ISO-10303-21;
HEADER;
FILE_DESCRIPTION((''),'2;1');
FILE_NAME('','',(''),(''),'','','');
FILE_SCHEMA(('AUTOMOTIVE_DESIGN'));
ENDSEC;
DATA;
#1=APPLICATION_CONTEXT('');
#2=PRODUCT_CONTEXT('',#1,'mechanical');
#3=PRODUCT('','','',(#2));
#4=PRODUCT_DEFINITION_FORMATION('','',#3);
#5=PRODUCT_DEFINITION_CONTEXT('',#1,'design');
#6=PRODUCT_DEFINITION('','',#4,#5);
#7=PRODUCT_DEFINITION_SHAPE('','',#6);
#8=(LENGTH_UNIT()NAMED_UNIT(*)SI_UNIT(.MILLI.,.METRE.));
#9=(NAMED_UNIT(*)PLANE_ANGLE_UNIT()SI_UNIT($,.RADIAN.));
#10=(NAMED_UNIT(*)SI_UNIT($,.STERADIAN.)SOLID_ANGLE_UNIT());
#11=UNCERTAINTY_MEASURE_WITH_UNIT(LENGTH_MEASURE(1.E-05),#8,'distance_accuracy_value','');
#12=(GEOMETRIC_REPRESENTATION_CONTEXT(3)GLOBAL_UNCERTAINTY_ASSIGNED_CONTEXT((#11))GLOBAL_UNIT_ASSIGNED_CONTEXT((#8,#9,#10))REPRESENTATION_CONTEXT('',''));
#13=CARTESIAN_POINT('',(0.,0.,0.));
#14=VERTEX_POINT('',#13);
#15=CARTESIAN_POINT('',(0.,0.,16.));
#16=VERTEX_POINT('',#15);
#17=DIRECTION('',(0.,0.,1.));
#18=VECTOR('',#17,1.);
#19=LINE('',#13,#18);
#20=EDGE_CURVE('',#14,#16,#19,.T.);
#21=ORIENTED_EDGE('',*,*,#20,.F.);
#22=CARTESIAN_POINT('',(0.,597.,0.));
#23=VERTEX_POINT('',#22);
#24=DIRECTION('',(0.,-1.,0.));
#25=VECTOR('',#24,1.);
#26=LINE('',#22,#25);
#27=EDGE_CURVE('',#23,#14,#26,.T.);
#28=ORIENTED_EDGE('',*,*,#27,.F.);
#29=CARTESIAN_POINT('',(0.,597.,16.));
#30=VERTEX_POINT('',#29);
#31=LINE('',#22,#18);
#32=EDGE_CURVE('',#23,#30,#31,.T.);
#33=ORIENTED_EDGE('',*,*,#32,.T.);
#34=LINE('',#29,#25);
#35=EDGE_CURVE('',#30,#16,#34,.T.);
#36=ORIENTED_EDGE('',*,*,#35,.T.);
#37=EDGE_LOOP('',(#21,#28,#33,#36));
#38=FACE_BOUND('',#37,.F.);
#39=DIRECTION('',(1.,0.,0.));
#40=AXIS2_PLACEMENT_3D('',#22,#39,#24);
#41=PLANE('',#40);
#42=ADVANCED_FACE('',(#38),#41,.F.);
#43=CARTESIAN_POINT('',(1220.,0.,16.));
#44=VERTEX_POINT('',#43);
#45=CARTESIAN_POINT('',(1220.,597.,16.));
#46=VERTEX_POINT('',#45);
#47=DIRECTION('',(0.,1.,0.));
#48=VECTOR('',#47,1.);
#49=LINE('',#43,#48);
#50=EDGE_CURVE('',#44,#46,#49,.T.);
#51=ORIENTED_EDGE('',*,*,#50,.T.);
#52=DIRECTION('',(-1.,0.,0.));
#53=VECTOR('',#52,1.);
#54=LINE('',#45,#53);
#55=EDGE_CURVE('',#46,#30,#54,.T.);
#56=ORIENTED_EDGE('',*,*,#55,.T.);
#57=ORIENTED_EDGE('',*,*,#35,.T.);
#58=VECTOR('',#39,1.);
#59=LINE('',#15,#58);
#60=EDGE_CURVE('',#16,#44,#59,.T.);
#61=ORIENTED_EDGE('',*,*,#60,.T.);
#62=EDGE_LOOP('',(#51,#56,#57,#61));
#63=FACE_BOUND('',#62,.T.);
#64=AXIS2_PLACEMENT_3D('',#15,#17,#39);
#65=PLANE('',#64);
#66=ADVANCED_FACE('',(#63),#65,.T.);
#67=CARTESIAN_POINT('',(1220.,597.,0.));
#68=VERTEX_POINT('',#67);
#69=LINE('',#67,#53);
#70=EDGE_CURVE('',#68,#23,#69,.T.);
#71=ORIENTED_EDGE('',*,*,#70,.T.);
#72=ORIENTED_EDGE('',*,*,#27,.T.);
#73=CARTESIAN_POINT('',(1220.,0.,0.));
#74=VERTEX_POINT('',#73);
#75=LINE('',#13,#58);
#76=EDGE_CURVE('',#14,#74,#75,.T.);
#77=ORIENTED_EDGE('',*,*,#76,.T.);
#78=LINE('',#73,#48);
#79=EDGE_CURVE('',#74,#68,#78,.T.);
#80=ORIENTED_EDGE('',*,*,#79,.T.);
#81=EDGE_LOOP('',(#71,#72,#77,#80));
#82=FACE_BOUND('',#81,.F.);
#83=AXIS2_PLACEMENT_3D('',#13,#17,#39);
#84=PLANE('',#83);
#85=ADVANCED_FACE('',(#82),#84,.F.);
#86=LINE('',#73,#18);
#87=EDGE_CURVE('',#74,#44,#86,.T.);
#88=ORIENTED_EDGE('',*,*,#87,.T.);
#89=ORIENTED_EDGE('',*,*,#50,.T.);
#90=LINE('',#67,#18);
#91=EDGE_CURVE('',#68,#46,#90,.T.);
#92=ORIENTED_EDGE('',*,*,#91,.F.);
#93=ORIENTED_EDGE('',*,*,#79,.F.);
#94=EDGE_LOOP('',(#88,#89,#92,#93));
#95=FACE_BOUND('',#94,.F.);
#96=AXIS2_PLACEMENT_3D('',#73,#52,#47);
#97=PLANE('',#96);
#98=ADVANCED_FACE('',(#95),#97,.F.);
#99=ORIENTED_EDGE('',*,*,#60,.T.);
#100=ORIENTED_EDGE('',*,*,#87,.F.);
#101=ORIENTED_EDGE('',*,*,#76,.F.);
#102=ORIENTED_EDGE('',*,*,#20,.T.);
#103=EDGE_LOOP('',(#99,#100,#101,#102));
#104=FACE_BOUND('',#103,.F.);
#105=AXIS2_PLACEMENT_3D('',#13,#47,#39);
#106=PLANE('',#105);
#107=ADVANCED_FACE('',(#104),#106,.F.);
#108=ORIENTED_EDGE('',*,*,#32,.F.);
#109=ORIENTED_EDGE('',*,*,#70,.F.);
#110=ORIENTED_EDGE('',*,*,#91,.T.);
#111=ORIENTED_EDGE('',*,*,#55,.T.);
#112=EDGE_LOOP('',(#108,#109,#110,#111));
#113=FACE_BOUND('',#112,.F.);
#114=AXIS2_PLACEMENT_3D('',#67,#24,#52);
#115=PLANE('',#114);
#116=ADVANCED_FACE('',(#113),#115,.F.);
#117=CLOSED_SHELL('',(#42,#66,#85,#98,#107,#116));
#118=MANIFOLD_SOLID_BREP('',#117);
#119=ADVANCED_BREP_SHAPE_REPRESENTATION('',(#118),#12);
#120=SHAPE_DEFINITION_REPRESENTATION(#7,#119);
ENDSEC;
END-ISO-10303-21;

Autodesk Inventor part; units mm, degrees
ref_plane "YZ Plane" through (0, 0, 0) normal (1, 0, 0) x (0, 1, 0)
ref_plane "XZ Plane" through (0, 0, 0) normal (0, 1, 0) x (-1, 0, 0)
ref_plane "XY Plane" through (0, 0, 0) normal (0, 0, 1) x (1, 0, 0)
sketch "Sketch1" plane through (0, 0, 0) normal (0, 0, 1) x (1, 0, 0)
  line L0 (0, 0) -> (1220, 0)
  line L1 (1220, 0) -> (1220, 597)
  line L2 (1220, 597) -> (0, 597)
  line L3 (0, 597) -> (0, 0)
  dimension "d0" = 1220
  dimension "d1" = 597
extrude "Extrusion1" add sketch "Sketch1" along normal blind 16
properties part number "horizontal"
